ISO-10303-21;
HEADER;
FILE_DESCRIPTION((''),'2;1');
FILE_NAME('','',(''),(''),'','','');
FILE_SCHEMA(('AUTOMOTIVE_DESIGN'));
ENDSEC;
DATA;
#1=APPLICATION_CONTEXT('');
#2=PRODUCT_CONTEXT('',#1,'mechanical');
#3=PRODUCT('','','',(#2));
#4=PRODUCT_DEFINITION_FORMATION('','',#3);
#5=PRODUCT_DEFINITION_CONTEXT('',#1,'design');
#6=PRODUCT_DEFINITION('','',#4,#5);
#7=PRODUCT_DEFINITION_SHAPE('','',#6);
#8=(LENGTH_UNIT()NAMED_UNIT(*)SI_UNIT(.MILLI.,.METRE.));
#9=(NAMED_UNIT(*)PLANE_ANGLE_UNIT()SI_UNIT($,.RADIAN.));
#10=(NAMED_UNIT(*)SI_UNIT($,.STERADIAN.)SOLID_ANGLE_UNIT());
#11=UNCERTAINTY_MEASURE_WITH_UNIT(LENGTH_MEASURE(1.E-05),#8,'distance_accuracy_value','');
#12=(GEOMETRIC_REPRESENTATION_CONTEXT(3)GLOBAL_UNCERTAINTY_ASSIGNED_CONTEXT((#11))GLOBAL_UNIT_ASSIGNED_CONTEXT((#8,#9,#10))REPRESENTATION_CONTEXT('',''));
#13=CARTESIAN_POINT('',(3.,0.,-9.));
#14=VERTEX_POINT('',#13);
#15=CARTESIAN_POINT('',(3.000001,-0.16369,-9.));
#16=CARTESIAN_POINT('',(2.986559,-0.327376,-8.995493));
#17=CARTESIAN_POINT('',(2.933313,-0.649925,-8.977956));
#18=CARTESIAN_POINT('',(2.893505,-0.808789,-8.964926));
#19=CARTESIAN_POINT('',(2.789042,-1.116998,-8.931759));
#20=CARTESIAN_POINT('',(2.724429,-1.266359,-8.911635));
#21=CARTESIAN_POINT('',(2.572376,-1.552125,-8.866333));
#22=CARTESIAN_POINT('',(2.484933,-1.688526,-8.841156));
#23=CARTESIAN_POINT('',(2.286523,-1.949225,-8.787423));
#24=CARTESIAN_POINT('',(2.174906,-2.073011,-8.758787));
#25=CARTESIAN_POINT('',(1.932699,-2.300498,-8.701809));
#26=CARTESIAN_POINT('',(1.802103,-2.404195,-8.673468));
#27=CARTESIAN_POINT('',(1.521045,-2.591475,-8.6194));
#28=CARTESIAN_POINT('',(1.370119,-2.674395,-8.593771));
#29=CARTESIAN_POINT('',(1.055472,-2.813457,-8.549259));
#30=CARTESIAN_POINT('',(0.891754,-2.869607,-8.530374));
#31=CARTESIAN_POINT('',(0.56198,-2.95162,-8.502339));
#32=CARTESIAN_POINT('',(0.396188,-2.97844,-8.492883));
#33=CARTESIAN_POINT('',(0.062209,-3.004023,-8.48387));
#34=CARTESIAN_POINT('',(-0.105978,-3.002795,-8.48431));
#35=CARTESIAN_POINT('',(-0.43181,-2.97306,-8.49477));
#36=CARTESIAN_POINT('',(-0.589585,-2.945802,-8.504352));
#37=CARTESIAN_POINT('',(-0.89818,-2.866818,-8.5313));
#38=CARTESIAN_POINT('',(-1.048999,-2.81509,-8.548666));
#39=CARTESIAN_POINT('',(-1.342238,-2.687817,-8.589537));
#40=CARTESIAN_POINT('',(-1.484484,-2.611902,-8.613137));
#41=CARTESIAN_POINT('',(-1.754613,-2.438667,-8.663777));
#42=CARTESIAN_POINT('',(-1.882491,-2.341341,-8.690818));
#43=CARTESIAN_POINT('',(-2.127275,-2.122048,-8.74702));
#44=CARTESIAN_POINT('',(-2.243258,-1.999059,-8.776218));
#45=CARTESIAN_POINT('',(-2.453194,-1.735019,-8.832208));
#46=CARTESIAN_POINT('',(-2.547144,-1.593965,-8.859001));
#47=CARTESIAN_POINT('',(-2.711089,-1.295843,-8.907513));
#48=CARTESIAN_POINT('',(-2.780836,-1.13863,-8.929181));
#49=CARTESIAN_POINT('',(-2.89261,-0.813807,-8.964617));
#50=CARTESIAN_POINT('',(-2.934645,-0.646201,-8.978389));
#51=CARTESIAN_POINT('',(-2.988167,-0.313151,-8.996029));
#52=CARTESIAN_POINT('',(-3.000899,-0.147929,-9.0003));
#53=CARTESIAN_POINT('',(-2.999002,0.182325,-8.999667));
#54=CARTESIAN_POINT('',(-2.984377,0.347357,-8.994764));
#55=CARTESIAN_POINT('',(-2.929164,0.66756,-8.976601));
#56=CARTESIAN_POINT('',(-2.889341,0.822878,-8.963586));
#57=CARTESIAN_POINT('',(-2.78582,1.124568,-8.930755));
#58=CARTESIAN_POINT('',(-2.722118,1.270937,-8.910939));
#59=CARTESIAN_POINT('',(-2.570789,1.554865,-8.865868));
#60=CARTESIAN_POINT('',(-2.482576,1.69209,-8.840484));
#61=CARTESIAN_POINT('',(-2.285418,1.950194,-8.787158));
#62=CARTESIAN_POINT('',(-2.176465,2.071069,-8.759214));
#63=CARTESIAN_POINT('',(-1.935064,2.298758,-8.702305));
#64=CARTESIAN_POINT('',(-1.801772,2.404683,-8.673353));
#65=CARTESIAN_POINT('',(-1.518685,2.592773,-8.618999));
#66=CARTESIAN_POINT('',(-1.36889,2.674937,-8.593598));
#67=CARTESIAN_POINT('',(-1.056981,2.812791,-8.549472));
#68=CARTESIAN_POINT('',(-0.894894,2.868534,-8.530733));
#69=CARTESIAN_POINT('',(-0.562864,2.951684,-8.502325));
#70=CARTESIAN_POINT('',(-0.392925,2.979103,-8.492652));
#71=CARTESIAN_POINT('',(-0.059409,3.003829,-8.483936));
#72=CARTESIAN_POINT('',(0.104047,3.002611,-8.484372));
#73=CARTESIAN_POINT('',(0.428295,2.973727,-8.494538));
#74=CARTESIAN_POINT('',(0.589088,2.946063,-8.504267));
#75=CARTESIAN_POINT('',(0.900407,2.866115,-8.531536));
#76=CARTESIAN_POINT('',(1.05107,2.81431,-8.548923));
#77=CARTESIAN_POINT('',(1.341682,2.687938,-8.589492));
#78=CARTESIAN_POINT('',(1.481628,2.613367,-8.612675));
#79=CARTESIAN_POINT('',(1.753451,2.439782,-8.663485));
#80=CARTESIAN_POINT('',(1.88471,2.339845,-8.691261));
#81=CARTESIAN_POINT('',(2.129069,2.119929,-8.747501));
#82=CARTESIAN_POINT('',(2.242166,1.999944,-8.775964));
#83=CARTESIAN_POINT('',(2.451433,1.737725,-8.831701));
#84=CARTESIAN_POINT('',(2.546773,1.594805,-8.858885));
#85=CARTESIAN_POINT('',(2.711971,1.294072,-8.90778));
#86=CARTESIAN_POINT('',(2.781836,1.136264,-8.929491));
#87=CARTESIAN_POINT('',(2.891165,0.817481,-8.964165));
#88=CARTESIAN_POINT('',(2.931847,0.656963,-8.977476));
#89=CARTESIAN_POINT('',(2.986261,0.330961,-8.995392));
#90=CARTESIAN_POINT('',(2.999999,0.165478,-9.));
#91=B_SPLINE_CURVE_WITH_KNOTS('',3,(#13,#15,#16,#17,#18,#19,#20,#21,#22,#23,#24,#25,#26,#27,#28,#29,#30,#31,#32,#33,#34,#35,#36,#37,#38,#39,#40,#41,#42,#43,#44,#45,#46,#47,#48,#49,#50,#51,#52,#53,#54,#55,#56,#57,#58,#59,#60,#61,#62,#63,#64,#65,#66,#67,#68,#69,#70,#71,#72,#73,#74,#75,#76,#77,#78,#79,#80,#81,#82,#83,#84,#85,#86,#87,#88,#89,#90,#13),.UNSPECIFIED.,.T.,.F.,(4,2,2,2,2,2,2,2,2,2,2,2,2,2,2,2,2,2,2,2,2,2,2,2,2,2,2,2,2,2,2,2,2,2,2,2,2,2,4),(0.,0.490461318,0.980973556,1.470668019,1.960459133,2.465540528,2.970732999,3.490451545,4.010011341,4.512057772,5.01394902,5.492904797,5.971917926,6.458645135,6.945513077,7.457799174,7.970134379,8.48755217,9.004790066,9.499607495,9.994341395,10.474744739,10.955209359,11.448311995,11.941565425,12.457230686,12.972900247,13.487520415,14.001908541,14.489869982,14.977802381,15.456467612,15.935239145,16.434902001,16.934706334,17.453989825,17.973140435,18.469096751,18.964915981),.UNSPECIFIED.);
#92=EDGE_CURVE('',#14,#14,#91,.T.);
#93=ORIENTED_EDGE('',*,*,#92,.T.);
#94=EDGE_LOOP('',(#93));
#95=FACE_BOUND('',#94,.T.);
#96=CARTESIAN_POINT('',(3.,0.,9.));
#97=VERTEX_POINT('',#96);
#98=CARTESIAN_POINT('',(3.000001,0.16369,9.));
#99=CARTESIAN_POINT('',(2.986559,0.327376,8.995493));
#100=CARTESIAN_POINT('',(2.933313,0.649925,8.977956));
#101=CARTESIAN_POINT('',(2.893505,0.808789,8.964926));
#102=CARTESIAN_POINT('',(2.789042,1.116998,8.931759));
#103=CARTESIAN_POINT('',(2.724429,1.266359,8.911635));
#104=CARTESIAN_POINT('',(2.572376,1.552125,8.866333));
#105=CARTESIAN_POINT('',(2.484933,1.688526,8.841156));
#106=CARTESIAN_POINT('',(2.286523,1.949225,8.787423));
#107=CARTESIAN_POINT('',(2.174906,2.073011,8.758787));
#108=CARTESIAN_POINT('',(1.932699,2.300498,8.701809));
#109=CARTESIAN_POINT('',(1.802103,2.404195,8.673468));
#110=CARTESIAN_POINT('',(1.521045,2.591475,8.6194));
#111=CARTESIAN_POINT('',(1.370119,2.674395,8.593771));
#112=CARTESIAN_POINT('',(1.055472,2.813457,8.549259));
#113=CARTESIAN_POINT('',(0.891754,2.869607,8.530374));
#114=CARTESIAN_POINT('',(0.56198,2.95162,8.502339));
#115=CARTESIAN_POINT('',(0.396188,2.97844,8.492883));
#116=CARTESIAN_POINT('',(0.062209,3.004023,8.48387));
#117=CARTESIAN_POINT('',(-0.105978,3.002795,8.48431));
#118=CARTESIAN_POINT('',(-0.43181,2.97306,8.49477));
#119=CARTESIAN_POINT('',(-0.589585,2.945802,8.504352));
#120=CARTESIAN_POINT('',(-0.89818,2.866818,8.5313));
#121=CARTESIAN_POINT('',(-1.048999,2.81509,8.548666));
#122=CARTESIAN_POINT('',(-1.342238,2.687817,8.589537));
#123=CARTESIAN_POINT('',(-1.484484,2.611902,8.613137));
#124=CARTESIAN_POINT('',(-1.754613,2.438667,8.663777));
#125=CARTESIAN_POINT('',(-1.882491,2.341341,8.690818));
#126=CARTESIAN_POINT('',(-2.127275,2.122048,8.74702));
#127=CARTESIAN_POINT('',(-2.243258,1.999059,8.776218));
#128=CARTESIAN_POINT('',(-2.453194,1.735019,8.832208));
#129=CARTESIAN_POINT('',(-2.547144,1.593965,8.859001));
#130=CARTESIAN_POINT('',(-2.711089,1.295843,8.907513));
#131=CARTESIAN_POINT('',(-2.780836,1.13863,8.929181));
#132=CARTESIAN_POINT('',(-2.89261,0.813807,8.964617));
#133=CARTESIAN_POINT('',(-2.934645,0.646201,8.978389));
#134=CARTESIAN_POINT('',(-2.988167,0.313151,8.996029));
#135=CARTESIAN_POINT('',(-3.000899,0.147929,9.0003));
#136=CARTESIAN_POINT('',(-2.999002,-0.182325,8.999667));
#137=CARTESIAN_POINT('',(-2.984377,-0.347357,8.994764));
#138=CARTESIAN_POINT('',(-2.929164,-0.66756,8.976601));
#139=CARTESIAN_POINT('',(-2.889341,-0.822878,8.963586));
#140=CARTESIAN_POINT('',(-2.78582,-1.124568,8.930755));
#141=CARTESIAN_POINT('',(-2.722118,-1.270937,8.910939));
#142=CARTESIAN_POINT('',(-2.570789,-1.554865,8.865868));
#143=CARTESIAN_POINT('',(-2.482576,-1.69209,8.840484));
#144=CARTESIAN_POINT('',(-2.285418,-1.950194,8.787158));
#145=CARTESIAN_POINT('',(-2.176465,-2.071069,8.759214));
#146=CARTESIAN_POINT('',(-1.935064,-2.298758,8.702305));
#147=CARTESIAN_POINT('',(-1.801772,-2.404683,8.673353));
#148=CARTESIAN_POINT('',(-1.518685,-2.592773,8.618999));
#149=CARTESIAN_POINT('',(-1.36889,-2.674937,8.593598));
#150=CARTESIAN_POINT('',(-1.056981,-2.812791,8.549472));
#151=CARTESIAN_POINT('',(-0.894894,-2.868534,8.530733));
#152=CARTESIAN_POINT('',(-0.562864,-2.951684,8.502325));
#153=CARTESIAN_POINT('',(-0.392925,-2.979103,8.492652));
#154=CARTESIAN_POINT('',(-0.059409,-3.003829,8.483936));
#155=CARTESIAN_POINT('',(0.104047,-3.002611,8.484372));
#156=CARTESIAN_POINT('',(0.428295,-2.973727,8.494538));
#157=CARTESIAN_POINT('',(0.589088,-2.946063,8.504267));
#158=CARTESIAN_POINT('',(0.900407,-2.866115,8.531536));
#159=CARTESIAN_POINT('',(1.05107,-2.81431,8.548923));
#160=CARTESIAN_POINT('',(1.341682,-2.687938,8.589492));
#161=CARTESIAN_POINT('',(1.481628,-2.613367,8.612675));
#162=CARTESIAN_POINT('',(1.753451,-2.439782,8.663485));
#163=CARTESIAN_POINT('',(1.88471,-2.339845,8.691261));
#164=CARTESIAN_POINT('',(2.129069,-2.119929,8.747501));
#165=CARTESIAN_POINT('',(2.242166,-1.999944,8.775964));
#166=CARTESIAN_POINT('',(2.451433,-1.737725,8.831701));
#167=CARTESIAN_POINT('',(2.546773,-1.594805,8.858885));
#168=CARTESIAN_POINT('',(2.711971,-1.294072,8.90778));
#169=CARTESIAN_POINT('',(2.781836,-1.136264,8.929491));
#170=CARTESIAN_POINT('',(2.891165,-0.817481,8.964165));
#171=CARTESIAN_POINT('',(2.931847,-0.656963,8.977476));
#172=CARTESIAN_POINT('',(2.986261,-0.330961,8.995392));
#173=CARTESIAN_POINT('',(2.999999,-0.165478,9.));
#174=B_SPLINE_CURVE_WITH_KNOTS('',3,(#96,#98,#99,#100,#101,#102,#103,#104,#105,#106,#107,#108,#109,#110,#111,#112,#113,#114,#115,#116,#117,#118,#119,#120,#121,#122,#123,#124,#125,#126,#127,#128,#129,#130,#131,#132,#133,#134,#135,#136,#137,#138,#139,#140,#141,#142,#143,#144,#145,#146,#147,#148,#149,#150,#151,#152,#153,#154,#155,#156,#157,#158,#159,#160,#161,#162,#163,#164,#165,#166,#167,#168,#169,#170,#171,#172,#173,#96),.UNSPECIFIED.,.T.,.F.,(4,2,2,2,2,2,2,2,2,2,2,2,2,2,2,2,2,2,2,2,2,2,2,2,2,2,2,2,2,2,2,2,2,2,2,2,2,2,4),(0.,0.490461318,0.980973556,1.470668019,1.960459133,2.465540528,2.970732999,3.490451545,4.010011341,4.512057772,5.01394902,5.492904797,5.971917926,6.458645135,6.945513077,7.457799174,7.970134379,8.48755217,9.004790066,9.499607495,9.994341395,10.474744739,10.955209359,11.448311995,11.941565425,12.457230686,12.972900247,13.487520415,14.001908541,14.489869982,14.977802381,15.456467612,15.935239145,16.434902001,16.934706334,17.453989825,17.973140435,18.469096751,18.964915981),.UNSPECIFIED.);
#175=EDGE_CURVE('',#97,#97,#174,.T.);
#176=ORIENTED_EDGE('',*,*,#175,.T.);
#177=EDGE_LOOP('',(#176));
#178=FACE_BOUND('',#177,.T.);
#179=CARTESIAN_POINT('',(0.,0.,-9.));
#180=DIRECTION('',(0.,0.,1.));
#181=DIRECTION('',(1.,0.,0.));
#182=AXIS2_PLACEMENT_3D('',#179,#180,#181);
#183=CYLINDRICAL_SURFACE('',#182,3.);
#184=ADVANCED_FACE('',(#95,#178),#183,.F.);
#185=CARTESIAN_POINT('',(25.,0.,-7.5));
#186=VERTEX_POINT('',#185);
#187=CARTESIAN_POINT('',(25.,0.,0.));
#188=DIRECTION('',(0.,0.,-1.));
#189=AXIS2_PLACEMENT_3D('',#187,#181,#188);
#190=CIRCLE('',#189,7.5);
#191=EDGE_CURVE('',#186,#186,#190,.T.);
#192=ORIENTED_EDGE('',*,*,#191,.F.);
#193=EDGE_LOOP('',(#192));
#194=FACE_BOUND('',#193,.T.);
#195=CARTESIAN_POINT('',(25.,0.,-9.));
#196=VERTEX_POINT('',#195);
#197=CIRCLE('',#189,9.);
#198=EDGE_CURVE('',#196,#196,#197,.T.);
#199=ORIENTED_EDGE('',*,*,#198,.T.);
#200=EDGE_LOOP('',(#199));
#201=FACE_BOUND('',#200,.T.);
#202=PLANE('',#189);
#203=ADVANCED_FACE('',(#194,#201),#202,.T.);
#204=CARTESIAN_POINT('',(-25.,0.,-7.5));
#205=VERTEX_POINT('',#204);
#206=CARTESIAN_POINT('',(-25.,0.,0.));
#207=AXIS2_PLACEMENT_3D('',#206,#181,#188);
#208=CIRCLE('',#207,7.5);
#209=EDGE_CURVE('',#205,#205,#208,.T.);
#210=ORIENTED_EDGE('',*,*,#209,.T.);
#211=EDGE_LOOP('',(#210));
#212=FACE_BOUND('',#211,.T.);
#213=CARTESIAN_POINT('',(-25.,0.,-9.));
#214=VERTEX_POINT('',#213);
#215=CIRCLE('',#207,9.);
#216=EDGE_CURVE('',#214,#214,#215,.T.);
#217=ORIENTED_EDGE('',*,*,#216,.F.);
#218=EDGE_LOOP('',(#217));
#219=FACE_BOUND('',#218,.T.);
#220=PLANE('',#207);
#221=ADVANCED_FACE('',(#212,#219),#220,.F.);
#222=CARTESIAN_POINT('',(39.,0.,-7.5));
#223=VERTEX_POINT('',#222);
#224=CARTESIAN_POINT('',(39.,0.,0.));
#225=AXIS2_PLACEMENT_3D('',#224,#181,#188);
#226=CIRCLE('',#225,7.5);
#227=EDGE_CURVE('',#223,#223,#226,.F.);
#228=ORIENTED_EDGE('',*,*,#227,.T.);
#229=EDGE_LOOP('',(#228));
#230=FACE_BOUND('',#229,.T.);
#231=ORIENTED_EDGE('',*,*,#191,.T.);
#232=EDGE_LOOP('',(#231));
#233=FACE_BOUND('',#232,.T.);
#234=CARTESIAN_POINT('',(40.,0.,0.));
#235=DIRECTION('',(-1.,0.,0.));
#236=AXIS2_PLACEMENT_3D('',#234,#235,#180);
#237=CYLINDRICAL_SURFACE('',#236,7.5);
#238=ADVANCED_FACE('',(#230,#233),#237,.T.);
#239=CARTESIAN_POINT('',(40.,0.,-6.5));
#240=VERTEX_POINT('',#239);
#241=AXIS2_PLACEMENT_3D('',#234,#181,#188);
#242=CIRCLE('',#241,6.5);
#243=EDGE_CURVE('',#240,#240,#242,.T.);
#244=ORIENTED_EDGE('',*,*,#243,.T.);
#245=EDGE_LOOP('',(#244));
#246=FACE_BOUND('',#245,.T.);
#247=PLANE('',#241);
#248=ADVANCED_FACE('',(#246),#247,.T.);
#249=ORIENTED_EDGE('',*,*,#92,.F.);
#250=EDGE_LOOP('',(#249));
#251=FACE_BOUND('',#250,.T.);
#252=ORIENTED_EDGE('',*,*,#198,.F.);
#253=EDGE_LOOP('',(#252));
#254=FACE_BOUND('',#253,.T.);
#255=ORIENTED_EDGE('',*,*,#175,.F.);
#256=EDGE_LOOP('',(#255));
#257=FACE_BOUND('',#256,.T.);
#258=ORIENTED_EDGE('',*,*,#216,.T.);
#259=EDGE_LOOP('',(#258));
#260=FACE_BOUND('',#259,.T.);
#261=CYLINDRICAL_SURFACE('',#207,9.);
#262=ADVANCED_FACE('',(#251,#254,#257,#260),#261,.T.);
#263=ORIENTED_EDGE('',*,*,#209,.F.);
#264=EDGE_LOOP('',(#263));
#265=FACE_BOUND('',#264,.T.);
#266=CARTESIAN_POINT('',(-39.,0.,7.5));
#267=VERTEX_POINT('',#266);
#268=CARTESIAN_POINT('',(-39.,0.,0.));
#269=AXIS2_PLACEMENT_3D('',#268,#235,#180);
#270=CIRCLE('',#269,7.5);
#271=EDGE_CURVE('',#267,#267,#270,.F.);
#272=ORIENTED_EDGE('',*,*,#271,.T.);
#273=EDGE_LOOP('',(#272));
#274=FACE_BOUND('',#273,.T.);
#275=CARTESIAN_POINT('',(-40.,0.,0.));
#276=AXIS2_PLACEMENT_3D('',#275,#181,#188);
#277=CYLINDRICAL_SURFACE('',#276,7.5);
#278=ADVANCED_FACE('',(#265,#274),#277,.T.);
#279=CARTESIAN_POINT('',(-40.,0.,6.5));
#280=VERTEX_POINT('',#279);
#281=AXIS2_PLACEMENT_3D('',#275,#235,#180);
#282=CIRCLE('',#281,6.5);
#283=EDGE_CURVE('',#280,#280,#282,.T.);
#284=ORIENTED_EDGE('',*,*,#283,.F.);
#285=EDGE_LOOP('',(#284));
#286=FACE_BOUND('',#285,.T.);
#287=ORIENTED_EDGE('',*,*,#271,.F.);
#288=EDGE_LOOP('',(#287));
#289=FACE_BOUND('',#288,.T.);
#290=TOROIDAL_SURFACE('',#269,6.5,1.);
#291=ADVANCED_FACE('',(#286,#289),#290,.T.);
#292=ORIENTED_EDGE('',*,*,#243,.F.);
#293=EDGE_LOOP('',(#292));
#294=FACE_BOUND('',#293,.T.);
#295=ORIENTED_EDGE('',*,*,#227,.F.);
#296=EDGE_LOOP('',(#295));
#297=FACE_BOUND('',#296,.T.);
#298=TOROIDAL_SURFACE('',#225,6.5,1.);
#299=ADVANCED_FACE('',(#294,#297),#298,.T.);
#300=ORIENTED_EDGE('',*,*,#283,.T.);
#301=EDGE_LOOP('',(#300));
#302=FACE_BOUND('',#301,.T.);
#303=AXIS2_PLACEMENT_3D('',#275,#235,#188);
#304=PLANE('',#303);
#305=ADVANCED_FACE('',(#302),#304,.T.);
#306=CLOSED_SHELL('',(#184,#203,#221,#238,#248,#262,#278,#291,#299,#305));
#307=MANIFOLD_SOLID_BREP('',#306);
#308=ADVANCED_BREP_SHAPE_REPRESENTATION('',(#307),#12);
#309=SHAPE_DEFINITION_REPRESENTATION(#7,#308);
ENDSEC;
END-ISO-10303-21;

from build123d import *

# Parameters (mm, degrees)
BOSS_EXTRUDE2_DEPTH      = 25
BOSS_EXTRUDE2_DEPTH_BACK = 25
SKETCH1_R                = 9
SKETCH2_R                = 7.5
BOSS_EXTRUDE3_DEPTH      = 15
FILLET2_R                = 1
CUT_EXTRUDE1_DEPTH       = 42.976183724
CUT_EXTRUDE1_DEPTH_BACK  = 42.976183724
SKETCH3_R                = 3


with BuildPart() as part:
    # Sketch1 → Boss-Extrude2 (new, two sides: drawn at the far end of the back side and taken through both)
    with BuildSketch(Plane(origin=(0, 0, 0), x_dir=(0, 0, -1), z_dir=(1, 0, 0)).offset(-BOSS_EXTRUDE2_DEPTH_BACK)):
        Circle(SKETCH1_R)
    extrude(amount=BOSS_EXTRUDE2_DEPTH + BOSS_EXTRUDE2_DEPTH_BACK)

    # Sketch2 → Boss-Extrude3 (add)
    with BuildSketch(Plane(origin=(25, 0, 0), x_dir=(0, 0, -1), z_dir=(1, 0, 0))):
        Circle(SKETCH2_R)
    boss_extrude3 = extrude(amount=BOSS_EXTRUDE3_DEPTH)

    # Mirror1: Boss-Extrude3 across plane
    add(boss_extrude3.mirror(Plane(origin=(0, 0, 0), x_dir=(0, 0, 1), z_dir=(1, 0, 0))))

    # Fillet2
    fillet2_edges = [part.edges().sort_by_distance(p)[0] for p in [
        (-40, 0, 7.5),
        (40, 0, 7.5),
    ]]
    fillet(fillet2_edges, radius=FILLET2_R)

    # Sketch3 → Cut-Extrude1 (cut, two sides: drawn at the far end of the back side and taken through both)
    with BuildSketch(Plane.XY.offset(-CUT_EXTRUDE1_DEPTH_BACK)):
        Circle(SKETCH3_R)
    extrude(amount=CUT_EXTRUDE1_DEPTH + CUT_EXTRUDE1_DEPTH_BACK, mode=Mode.SUBTRACT)


solid = part.part
